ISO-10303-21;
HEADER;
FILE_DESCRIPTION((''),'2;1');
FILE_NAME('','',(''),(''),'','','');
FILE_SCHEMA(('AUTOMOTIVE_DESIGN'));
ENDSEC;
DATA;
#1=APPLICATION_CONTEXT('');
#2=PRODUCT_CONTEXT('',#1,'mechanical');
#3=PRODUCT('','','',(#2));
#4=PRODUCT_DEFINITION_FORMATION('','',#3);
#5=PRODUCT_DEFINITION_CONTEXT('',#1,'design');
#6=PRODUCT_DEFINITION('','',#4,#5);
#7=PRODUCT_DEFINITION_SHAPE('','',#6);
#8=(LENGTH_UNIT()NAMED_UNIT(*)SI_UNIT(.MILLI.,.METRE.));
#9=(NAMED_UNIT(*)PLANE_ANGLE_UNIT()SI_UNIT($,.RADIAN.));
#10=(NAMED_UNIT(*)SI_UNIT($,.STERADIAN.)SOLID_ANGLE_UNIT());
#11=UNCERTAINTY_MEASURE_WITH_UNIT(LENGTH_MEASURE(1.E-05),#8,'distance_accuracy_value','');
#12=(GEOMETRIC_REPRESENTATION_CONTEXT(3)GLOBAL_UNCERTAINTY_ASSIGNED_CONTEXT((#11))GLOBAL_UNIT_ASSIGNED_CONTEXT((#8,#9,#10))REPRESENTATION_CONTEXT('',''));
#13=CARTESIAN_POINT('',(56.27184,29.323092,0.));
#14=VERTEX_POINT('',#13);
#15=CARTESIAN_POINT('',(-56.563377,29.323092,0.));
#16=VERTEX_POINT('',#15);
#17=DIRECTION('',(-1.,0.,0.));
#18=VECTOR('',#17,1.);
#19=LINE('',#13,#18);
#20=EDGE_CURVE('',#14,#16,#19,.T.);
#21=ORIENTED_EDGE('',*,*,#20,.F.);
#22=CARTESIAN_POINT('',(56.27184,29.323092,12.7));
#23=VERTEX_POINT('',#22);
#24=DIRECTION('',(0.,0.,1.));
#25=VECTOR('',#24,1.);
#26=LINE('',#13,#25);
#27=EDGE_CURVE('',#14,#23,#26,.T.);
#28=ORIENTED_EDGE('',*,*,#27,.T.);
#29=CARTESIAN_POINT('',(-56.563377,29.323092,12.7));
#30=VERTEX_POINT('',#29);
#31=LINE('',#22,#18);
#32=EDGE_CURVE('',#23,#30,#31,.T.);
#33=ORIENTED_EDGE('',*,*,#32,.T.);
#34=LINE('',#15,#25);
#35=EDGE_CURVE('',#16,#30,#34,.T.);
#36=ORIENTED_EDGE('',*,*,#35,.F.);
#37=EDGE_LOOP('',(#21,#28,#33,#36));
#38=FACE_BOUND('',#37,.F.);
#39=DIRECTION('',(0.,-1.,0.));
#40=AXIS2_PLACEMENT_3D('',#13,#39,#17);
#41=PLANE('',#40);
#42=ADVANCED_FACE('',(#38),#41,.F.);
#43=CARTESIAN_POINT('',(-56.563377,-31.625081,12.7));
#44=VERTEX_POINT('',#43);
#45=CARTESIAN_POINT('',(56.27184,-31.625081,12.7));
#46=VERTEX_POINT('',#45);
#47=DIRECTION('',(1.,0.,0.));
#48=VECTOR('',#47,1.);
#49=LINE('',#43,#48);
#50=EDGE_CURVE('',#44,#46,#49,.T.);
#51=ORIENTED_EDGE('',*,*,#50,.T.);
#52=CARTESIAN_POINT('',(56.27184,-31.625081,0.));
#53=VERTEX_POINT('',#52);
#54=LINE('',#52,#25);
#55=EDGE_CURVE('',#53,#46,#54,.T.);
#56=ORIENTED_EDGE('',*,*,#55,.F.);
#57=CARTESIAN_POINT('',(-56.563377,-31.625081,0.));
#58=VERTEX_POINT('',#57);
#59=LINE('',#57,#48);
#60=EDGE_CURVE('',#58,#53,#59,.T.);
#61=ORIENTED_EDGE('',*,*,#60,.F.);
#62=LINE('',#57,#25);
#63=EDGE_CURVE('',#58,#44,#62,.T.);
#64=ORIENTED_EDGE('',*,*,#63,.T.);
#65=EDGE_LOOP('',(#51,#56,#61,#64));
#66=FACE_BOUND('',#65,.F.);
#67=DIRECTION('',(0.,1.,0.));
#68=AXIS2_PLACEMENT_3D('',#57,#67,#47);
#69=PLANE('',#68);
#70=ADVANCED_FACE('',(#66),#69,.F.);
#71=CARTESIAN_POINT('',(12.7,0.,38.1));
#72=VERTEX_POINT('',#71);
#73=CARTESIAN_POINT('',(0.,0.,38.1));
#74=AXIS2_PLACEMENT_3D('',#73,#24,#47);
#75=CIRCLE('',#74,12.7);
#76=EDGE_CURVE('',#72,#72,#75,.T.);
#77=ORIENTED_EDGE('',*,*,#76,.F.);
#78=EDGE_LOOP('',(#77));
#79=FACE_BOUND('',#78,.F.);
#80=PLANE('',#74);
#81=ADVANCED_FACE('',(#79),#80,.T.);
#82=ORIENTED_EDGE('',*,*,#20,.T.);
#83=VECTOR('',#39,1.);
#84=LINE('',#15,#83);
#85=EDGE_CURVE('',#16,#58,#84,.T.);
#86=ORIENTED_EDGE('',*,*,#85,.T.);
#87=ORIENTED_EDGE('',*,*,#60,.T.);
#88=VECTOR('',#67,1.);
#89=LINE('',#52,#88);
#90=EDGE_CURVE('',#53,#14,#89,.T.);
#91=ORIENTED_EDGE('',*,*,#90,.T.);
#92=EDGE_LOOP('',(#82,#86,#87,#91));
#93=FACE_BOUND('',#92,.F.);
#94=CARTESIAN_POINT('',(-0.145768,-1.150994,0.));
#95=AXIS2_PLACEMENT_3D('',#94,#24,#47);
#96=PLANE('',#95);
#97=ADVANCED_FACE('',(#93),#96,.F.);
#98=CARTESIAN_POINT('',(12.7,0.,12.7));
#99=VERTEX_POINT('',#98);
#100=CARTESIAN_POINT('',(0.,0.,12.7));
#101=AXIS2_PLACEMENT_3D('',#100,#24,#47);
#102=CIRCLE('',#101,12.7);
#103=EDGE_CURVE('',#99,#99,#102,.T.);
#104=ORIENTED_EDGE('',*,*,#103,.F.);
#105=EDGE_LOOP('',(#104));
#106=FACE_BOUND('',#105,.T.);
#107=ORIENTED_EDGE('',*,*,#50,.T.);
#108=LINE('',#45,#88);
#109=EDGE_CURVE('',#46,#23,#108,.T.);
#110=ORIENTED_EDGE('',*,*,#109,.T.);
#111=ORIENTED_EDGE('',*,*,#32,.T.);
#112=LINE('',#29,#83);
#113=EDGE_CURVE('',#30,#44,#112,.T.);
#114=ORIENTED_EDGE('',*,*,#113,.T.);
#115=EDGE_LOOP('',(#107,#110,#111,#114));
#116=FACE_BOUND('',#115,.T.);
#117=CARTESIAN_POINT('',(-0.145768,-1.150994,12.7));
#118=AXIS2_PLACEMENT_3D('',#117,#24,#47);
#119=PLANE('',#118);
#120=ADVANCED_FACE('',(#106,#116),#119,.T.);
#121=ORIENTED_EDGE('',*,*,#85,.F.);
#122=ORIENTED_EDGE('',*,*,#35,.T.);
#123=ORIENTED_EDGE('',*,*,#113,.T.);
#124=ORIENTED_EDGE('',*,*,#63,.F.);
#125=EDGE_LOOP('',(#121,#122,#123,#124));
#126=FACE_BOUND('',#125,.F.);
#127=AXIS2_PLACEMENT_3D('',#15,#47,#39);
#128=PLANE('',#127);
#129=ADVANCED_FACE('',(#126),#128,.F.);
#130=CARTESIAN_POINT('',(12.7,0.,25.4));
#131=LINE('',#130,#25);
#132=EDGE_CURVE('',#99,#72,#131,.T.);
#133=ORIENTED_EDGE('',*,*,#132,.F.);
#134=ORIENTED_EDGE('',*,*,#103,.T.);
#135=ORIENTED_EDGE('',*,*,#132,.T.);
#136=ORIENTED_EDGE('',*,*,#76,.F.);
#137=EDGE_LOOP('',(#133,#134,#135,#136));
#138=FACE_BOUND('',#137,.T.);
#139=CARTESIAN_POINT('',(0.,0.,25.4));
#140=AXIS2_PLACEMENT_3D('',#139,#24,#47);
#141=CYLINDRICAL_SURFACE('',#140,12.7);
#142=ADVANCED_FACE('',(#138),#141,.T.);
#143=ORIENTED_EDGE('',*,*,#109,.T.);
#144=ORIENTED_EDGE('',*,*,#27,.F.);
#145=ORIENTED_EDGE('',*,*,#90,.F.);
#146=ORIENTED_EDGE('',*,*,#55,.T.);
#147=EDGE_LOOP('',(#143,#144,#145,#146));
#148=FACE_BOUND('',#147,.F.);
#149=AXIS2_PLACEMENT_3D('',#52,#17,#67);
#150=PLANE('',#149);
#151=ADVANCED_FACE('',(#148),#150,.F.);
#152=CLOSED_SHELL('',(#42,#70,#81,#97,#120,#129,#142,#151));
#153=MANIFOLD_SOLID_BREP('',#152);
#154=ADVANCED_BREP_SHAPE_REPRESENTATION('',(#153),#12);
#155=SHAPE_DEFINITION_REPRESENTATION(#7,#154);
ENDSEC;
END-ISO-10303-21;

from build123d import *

# Parameters (mm, degrees)
F1_DEPTH = 12.7
F2_W     = 12.7
F2_H     = 25.4


with BuildPart() as f1:
    # F0 (on Top) → F1 (new body)
    with BuildSketch(Plane.XY):
        Polygon((-56.563377, -31.625081), (0, -31.625081), (56.27184, -31.625081), (56.27184, 0), (56.27184, 29.323092), (0, 29.323092), (-56.563377, 29.323092), (-56.563377, 0), align=None)
    extrude(amount=F1_DEPTH)

    # F2 (on Front) → F3 (revolve)
    with BuildSketch(Plane.XZ):
        with Locations((6.35, 25.4)):
            Rectangle(F2_W, F2_H)
    revolve(axis=Axis((0, 0, 25.4), (0, 0, 1)))


solid = f1.part
